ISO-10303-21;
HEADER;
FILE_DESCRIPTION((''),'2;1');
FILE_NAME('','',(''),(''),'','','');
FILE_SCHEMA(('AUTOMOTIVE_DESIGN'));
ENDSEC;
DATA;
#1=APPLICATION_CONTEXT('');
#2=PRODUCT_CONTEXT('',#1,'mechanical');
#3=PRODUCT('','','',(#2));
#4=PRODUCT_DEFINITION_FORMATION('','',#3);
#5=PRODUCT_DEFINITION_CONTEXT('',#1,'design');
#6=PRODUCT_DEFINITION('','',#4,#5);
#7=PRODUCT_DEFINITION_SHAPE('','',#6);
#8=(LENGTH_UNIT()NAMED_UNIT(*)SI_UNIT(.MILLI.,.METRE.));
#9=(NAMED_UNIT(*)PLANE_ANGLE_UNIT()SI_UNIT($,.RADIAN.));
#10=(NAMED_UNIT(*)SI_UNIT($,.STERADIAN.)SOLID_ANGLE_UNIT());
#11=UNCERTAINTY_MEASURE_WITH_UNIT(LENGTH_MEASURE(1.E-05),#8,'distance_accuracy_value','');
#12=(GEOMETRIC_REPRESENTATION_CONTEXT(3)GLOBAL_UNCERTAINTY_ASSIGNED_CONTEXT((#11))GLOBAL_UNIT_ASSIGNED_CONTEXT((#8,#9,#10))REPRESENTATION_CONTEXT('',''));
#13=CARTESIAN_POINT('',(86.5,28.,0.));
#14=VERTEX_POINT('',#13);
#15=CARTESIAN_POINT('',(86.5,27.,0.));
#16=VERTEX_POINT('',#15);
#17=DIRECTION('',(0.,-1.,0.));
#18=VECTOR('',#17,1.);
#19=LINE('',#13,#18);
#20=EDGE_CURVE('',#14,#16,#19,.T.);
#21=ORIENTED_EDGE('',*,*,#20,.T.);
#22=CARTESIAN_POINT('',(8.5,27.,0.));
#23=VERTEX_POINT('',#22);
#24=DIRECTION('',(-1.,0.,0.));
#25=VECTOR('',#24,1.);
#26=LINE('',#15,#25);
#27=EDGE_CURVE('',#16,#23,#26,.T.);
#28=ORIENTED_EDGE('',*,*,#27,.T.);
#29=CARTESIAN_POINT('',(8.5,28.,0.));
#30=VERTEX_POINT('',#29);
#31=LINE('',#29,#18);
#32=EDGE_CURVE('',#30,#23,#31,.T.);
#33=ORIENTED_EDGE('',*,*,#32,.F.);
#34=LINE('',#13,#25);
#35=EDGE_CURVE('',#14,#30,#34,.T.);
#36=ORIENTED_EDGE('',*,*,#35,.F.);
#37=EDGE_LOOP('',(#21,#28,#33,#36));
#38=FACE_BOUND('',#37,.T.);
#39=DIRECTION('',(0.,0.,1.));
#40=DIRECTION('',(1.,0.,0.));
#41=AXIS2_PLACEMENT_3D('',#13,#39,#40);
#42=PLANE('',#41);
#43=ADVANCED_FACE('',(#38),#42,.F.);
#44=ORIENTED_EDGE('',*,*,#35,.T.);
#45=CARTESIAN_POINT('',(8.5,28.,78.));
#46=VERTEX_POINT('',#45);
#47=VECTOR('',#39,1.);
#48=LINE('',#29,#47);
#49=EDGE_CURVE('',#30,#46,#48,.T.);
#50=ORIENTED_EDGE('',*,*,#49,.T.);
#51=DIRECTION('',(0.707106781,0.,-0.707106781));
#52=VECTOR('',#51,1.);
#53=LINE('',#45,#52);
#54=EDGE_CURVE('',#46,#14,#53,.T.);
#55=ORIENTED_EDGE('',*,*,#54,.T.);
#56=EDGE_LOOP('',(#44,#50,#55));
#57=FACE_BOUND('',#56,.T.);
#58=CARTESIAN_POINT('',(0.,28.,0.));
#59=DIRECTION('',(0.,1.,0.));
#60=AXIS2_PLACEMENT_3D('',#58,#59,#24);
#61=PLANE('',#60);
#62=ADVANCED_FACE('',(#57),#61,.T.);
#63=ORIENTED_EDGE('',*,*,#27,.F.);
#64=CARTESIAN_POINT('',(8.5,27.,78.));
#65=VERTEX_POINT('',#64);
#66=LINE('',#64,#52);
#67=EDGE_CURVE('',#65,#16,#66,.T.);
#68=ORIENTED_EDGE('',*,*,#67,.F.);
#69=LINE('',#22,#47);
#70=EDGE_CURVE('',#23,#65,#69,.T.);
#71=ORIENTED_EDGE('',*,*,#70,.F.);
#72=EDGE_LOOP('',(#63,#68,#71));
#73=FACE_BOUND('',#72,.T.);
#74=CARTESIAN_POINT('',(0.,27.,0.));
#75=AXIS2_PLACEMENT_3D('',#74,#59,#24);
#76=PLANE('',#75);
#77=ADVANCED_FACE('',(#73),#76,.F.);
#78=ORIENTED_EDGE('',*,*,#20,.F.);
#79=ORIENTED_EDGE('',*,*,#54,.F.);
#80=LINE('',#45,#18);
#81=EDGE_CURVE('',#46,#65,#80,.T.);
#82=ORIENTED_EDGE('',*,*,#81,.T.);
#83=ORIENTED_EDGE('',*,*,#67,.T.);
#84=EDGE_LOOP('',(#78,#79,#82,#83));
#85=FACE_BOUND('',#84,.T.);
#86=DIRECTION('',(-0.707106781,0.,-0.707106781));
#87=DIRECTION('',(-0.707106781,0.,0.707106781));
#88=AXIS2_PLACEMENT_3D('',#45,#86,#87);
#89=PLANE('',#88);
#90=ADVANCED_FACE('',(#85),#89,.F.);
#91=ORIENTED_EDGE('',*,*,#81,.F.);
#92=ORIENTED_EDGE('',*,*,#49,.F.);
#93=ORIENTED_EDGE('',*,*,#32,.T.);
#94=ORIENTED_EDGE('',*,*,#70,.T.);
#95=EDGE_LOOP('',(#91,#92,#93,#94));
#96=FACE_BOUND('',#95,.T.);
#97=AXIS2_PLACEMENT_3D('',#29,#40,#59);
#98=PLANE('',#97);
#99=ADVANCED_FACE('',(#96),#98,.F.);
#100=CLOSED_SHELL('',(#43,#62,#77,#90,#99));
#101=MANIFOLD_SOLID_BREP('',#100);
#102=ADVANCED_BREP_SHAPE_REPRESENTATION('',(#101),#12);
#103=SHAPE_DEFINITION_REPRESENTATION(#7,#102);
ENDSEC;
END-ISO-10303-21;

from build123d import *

# Parameters (mm, degrees)
BOSS_EXTRUDE1_DEPTH   = 327.5
BOSS_EXTRUDE1_2_DEPTH = 327.5
BOSS_EXTRUDE2_DEPTH   = 2
BOSS_EXTRUDE4_DEPTH   = 1
SKETCH4_W             = 100
SKETCH4_H             = 8.5
BOSS_EXTRUDE5_DEPTH   = 2
BOSS_EXTRUDE6_DEPTH   = 1
SKETCH7_R             = 5
SKETCH7_W             = 96
SKETCH7_H             = 1
CUT_EXTRUDE2_DEPTH    = 1
SKETCH8_W             = 100
SKETCH8_H             = 13.5
CUT_EXTRUDE3_DEPTH    = 400
SKETCH9_W             = 1
SKETCH9_H             = 5
CUT_EXTRUDE4_DEPTH    = 84.5
BOSS_EXTRUDE8_DEPTH   = 1
SKETCH15_W            = 110.261376908
SKETCH15_H            = 36.265100391
CUT_EXTRUDE7_DEPTH    = 400


with BuildPart() as part:
    # Sketch1 → Boss-Extrude1 (new body)
    with BuildSketch(Plane.XY):
        Polygon((0, 0), (0, 8.5), (1, 8.5), (1, 13.5), (2, 13.5), (2, 2), (13.5, 2), (13.5, 1), (8.5, 1), (8.5, 0), align=None)
    extrude(amount=BOSS_EXTRUDE1_DEPTH)



with BuildPart() as body_2:
    # Sketch1 → Boss-Extrude1 2 (new body)
    with BuildSketch(Plane.XY):
        Polygon((100, 0), (91.5, 0), (91.5, 1), (86.5, 1), (86.5, 2), (98, 2), (98, 13.5), (99, 13.5), (99, 8.5), (100, 8.5), align=None)
    extrude(amount=BOSS_EXTRUDE1_2_DEPTH)


with BuildPart() as part_1:
    add(part.part)

    add(body_2.part)  # Boss-Extrude2 merges body 2
    # Sketch2 → Boss-Extrude2 (add)
    with BuildSketch(Plane(origin=(0, 2, 0), x_dir=(1, 0, 0), z_dir=(0, 1, 0))):
        Polygon((86.5, 0), (13.5, -73), (13.5, -85.02081528), (86.5, -12.02081528), align=None)
    extrude(amount=-BOSS_EXTRUDE2_DEPTH)

    # Sketch3 → Boss-Extrude4 (add)
    with BuildSketch(Plane.XZ.offset(-1)):
        Polygon((13.5, 73), (13.5, 85.02081528), (8.5, 90.02081528), (8.5, 78), align=None)
        Polygon((86.5, 0), (86.5, 12.02081528), (91.5, 7.02081528), (91.5, 0), align=None)
    extrude(amount=BOSS_EXTRUDE4_DEPTH)

    # Sketch4 → Boss-Extrude5 (add)
    with BuildSketch(Plane.XZ):
        with Locations((50, 323.25)):
            Rectangle(SKETCH4_W, SKETCH4_H)
    extrude(amount=-BOSS_EXTRUDE5_DEPTH)

    # Sketch7 → Cut-Extrude2 (cut)
    with BuildSketch(Plane(origin=(0, 2, 0), x_dir=(1, 0, 0), z_dir=(0, 1, 0))):
        with Locations((26.5, -326.5)):
            Circle(SKETCH7_R)
        with Locations((73.5, -326.5)):
            Circle(SKETCH7_R)
        with Locations((50, -327)):
            Rectangle(SKETCH7_W, SKETCH7_H)
    extrude(amount=-CUT_EXTRUDE2_DEPTH, mode=Mode.SUBTRACT)


with BuildPart() as body_2_2:
    # Sketch5 → Boss-Extrude6 (new body)
    with BuildSketch(Plane(origin=(0, 2, 0), x_dir=(1, 0, 0), z_dir=(0, 1, 0))):
        Polygon((13.5, -65.928932188), (79.428932188, 0), (86.5, 0), (13.5, -73), align=None)
    extrude(amount=-BOSS_EXTRUDE6_DEPTH)


with BuildPart() as body_3:
    # Mirror1: mirrored copy
    add(body_2_2.part.mirror(Plane(origin=(1, 13.5, 327.5), x_dir=(0, 0, 1), z_dir=(0, -1, 0))))


with BuildPart() as body_4:
    # Mirror1 2: mirrored copy
    add(part_1.part.mirror(Plane(origin=(1, 13.5, 327.5), x_dir=(0, 0, 1), z_dir=(0, -1, 0))))

    # Sketch9 → Cut-Extrude4 (cut)
    with BuildSketch(Plane(origin=(0, 0, 0), x_dir=(-1, 0, 0), z_dir=(0, 0, -1))):
        with Locations((-1.5, 16)):
            Rectangle(SKETCH9_W, SKETCH9_H)
    extrude(amount=-CUT_EXTRUDE4_DEPTH, mode=Mode.SUBTRACT)


with BuildPart() as cut_extrude3_tool:
    # Sketch8 → Cut-Extrude3 (new body)
    with BuildSketch(Plane(origin=(0, 0, 0), x_dir=(-1, 0, 0), z_dir=(0, 0, -1))):
        with Locations((-50, 6.75)):
            Rectangle(SKETCH8_W, SKETCH8_H)
    extrude(amount=-CUT_EXTRUDE3_DEPTH)


with BuildPart() as part_2:
    add(part_1.part)

    # Cut-Extrude3: cut by cut_extrude3_tool
    add(cut_extrude3_tool.part, mode=Mode.SUBTRACT)


with BuildPart() as body_2_2_1:
    add(body_2_2.part)

    # Cut-Extrude3: cut by cut_extrude3_tool
    add(cut_extrude3_tool.part, mode=Mode.SUBTRACT)


with BuildPart() as body_3_2:
    # Sketch14 → Boss-Extrude8 (new body)
    with BuildSketch(Plane(origin=(0, 27, 0), x_dir=(1, 0, 0), z_dir=(0, 1, 0))):
        Polygon((8.5, 0), (8.5, -78), (86.5, 0), align=None)
    extrude(amount=BOSS_EXTRUDE8_DEPTH)


with BuildPart() as cut_extrude7_tool:
    # Sketch15 → Cut-Extrude7 (new body)
    with BuildSketch(Plane(origin=(0, 0, 0), x_dir=(-1, 0, 0), z_dir=(0, 0, -1))):
        with Locations((-44.869311546, 8.867449804)):
            Rectangle(SKETCH15_W, SKETCH15_H)
    extrude(amount=-CUT_EXTRUDE7_DEPTH)


with BuildPart() as body_3_1:
    add(body_3.part)

    # Cut-Extrude7: cut by cut_extrude7_tool
    add(cut_extrude7_tool.part, mode=Mode.SUBTRACT)


with BuildPart() as body_4_1:
    add(body_4.part)

    # Cut-Extrude7: cut by cut_extrude7_tool
    add(cut_extrude7_tool.part, mode=Mode.SUBTRACT)


solid = body_3_2.part
